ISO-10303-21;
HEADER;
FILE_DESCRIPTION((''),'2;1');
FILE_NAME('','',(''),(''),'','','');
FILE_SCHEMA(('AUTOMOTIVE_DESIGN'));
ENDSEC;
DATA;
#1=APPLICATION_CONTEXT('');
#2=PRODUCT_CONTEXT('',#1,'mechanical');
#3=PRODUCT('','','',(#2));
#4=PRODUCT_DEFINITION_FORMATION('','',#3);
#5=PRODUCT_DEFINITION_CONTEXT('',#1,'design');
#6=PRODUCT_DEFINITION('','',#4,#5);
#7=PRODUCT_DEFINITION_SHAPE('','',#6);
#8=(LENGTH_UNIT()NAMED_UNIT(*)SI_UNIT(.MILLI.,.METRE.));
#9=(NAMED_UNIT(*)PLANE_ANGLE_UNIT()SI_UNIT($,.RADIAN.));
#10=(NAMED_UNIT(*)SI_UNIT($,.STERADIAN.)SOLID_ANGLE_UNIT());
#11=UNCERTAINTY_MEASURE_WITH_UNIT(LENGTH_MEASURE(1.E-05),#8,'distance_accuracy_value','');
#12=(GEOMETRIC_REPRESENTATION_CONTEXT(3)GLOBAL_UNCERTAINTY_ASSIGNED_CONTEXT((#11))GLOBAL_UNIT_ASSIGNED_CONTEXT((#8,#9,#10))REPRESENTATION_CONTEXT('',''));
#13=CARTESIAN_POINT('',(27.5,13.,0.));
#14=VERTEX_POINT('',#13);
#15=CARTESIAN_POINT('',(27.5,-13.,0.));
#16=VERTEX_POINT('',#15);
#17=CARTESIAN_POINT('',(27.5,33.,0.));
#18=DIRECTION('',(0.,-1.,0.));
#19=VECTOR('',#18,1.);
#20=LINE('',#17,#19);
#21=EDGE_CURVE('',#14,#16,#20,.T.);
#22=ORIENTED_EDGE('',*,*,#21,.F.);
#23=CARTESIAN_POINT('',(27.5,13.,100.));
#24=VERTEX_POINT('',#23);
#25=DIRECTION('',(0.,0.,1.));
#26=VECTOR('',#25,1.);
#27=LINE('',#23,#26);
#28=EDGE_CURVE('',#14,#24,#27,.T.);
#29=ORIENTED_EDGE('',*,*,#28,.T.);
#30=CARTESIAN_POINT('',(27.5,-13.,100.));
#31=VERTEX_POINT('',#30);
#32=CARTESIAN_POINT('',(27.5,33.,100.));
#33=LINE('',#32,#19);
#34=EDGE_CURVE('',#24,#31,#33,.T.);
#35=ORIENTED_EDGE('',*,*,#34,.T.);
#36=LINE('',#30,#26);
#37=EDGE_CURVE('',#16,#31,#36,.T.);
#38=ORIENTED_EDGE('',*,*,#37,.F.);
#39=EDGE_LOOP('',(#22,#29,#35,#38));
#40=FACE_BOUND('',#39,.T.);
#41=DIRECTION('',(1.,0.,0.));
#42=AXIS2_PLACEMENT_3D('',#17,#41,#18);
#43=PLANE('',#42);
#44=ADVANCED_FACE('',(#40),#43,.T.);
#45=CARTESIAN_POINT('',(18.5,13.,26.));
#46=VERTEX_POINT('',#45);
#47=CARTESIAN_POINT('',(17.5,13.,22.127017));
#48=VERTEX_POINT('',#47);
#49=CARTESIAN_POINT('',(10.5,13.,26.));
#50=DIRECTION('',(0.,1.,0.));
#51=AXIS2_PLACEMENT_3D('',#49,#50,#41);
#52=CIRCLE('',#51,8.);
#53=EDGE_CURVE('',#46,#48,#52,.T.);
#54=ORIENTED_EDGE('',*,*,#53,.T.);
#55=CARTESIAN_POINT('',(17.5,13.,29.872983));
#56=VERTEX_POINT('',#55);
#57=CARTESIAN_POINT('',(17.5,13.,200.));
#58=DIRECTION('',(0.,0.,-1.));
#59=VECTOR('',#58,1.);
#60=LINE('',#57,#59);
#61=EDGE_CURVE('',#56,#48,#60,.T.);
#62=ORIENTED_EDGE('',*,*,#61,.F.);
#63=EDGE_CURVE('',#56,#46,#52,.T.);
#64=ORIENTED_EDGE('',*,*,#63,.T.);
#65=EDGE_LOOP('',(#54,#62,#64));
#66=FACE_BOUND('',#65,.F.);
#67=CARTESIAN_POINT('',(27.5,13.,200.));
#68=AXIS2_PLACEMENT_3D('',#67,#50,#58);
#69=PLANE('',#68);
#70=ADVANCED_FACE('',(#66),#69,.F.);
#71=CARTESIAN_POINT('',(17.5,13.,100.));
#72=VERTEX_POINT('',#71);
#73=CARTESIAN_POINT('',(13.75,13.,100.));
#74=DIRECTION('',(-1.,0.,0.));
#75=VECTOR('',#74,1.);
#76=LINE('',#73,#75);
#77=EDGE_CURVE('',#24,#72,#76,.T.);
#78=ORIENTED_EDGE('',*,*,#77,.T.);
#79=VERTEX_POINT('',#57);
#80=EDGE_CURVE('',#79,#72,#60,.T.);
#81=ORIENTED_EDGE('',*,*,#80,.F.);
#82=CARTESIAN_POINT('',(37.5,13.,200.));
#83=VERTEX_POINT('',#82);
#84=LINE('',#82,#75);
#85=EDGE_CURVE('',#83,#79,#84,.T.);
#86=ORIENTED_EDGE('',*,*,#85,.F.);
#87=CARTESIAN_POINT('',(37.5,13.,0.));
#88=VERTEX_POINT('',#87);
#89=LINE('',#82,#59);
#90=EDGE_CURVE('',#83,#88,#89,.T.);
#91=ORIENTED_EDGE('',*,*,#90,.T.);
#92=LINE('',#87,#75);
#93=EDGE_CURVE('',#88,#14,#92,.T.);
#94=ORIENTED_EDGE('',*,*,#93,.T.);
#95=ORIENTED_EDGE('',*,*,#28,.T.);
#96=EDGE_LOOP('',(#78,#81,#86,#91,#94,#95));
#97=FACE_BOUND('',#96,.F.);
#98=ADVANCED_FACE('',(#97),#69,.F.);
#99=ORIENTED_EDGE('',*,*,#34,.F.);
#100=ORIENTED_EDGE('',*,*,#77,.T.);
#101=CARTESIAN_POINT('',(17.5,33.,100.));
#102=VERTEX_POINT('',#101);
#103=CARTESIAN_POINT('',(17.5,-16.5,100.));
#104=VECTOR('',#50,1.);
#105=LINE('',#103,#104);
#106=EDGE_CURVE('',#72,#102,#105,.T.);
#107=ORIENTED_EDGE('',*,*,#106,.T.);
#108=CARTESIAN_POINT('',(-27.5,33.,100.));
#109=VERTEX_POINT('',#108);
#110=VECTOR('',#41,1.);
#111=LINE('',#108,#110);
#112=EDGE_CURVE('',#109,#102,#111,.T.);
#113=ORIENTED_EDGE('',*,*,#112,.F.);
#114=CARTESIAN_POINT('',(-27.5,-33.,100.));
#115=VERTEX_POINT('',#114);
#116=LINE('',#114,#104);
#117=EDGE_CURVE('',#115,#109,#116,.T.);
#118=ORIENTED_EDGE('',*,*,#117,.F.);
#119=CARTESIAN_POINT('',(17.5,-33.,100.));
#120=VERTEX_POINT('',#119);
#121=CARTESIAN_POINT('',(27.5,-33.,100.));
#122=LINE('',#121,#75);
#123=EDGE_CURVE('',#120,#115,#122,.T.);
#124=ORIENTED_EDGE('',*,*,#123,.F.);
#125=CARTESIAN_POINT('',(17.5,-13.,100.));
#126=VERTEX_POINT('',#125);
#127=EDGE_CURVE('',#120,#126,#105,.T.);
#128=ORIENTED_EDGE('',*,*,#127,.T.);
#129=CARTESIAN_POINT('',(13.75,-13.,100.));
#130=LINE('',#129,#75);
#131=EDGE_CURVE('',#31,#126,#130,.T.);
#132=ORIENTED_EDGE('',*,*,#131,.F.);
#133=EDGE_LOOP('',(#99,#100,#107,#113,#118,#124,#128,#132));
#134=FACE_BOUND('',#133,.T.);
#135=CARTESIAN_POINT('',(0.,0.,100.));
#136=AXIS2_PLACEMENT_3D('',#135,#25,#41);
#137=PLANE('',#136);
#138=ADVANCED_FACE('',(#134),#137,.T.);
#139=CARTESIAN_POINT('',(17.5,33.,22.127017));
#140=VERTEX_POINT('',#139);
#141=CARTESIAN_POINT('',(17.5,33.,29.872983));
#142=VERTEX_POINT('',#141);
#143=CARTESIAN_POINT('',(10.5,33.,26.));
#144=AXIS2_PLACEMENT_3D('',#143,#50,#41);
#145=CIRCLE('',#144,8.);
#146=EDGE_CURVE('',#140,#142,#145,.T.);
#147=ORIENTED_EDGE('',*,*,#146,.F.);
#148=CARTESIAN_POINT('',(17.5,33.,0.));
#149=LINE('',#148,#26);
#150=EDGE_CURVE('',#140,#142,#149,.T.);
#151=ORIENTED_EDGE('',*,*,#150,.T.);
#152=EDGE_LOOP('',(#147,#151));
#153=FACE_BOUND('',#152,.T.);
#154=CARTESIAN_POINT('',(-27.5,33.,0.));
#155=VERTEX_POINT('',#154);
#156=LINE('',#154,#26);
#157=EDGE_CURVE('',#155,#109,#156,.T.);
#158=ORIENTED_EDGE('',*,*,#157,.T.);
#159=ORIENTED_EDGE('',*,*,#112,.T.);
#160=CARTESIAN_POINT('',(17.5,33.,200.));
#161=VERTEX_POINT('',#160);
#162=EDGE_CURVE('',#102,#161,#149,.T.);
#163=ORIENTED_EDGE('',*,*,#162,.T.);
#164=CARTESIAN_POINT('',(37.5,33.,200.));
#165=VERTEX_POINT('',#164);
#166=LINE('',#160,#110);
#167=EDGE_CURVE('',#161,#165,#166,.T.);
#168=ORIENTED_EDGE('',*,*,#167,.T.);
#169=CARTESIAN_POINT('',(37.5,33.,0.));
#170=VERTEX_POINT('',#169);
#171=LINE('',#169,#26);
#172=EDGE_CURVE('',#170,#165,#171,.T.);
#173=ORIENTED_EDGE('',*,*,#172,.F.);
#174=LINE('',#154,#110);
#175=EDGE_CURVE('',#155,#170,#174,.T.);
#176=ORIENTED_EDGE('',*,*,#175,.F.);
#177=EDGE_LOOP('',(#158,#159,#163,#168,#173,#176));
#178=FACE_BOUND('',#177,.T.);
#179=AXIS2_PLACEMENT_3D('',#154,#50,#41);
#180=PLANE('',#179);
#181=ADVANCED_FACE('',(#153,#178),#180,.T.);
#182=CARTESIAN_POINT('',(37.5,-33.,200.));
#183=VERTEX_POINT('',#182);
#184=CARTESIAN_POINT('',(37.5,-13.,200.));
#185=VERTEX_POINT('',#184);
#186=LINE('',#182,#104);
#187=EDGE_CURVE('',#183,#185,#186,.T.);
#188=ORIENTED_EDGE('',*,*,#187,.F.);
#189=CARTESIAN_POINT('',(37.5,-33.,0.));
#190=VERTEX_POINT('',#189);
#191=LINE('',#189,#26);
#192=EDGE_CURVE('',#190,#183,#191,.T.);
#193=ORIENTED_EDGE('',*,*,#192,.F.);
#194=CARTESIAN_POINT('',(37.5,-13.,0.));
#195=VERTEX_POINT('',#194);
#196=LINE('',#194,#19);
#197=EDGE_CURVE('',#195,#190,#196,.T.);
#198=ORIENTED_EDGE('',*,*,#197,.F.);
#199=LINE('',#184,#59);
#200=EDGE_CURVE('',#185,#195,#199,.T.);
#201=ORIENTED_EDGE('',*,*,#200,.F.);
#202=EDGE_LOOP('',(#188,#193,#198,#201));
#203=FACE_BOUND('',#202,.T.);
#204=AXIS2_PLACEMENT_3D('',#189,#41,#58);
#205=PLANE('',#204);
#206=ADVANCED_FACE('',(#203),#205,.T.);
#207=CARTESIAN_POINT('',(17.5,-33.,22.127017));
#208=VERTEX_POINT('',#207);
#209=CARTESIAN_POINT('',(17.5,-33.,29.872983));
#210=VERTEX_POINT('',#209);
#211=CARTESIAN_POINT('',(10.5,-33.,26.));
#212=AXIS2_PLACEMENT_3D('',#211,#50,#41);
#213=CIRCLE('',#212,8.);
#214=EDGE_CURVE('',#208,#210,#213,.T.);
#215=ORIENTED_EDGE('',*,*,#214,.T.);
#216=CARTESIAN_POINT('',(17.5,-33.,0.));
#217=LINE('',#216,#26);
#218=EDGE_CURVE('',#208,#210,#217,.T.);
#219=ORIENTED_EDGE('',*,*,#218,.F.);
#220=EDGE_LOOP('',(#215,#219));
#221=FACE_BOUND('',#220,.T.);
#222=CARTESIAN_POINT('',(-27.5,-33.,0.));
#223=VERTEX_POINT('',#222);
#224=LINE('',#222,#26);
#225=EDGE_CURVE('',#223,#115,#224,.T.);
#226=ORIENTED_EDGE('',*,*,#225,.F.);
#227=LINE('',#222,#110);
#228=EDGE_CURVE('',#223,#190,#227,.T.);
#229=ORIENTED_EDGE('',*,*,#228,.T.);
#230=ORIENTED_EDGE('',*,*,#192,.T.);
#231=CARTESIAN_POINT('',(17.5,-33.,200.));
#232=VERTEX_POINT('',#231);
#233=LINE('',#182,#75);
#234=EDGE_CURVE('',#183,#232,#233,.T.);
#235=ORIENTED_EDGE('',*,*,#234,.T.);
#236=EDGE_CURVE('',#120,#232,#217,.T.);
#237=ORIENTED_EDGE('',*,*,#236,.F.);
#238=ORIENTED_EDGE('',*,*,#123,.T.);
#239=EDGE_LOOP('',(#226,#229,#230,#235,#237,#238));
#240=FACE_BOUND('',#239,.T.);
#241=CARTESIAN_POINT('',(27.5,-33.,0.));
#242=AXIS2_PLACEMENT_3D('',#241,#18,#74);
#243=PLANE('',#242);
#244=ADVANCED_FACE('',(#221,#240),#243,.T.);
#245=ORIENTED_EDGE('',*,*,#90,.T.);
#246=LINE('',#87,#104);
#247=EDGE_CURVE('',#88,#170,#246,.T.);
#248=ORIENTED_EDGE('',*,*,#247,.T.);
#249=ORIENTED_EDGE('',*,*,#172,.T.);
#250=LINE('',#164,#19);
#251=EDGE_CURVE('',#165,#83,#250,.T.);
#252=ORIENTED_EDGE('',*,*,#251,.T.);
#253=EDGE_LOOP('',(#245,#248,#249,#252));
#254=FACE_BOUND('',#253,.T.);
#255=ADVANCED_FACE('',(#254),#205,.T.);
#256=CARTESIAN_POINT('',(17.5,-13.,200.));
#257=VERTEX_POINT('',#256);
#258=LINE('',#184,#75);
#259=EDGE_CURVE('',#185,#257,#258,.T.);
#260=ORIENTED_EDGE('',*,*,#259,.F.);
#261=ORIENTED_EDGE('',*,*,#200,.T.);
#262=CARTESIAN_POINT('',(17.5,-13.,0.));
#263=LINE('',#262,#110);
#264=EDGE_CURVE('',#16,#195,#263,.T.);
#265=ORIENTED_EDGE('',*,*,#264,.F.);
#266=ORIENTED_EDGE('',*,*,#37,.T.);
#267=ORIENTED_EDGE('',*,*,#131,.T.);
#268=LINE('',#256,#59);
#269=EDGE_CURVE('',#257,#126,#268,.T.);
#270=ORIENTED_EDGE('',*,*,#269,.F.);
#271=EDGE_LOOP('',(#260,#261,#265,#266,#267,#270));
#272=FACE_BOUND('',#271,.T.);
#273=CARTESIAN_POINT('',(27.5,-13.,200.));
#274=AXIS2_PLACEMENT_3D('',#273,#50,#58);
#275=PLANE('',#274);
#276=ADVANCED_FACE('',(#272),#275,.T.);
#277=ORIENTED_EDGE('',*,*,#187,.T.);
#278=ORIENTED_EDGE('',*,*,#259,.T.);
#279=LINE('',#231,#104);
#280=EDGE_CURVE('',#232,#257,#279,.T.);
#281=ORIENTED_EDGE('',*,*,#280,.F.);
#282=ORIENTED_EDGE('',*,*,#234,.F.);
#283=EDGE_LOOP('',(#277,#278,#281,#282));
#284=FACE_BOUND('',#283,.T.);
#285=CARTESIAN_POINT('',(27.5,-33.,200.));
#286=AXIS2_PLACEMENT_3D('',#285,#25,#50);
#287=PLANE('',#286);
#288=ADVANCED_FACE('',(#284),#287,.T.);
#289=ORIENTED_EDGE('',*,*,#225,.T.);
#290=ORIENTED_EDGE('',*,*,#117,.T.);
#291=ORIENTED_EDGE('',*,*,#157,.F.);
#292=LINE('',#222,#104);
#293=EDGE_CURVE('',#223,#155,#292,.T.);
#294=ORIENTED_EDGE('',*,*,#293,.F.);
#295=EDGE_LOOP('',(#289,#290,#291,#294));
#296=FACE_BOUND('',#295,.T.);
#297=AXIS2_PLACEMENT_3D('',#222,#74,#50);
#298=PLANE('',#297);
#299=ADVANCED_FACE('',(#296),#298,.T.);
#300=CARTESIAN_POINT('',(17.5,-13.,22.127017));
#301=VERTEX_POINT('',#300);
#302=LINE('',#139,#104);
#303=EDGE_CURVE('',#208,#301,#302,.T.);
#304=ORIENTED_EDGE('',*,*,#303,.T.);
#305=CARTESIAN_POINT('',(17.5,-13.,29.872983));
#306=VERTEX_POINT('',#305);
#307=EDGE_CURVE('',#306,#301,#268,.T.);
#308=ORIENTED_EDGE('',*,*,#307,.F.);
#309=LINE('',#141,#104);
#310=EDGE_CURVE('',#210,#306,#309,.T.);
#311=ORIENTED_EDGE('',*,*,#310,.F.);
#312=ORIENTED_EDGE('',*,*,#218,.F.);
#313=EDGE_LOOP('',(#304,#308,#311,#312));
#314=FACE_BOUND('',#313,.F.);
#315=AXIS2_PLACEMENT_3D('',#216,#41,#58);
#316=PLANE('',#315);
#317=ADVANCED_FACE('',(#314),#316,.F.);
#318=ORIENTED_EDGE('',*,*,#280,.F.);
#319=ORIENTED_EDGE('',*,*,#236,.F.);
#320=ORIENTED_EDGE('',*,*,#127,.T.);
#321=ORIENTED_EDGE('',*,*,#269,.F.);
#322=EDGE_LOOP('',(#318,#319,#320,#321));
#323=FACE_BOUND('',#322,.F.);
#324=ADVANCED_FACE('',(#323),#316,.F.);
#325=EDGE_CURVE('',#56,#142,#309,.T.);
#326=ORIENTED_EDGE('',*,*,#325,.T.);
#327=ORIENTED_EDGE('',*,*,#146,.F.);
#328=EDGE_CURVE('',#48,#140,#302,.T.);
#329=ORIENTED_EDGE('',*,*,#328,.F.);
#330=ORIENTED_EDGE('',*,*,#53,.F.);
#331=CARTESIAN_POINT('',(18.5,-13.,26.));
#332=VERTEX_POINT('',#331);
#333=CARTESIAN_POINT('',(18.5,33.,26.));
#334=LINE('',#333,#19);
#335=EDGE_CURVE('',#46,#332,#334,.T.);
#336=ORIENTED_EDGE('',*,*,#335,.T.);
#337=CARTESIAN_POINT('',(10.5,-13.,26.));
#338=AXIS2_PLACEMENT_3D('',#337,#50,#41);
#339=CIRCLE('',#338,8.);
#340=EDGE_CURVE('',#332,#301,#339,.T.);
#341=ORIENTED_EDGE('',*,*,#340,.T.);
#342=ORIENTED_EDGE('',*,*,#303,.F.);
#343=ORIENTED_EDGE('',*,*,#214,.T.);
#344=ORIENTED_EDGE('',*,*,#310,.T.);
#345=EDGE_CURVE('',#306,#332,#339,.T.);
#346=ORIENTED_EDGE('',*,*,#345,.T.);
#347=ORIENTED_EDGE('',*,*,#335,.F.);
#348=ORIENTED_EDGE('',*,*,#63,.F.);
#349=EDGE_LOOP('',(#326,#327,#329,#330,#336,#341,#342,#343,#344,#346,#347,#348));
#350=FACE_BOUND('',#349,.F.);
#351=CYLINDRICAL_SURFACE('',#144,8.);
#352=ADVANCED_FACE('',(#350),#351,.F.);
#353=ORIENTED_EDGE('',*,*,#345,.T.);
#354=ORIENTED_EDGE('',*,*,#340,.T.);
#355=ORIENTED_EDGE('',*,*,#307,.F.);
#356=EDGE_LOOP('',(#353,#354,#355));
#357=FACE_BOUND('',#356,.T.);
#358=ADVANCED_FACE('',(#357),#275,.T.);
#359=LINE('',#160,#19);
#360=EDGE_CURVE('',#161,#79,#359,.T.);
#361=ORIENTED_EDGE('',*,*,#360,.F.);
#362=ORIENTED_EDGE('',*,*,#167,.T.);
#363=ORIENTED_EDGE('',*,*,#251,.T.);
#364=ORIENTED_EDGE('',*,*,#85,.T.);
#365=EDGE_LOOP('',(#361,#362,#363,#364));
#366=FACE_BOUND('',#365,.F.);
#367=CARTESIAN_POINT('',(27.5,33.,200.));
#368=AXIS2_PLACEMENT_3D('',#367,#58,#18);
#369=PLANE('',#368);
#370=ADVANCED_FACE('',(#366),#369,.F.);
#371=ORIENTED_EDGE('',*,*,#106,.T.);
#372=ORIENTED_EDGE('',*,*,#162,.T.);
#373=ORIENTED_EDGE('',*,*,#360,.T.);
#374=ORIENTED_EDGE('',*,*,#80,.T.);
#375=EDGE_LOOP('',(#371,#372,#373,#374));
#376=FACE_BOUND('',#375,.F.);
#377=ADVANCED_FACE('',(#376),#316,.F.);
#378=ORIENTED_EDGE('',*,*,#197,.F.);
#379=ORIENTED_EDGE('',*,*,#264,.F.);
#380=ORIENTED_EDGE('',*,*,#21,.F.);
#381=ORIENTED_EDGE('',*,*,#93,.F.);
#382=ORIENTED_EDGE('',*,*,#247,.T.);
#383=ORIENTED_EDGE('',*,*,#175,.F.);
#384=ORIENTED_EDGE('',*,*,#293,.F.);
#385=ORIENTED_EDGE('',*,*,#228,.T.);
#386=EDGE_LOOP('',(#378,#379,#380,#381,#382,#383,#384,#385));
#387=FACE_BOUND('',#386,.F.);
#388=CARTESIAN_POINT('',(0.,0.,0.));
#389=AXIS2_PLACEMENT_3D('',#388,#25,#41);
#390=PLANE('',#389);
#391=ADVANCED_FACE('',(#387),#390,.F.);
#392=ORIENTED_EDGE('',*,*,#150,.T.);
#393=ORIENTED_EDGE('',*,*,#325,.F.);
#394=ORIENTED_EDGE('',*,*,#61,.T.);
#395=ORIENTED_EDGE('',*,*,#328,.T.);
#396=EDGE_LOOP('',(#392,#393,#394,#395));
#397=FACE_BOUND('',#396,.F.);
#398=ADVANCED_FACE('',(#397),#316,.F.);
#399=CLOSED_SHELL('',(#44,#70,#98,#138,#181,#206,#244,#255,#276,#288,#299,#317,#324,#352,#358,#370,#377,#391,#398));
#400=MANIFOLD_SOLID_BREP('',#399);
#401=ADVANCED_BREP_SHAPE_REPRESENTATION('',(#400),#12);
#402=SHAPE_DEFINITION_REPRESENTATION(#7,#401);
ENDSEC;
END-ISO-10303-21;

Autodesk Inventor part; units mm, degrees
ref_plane "YZ Plane" through (0, 0, 0) normal (1, 0, 0) x (0, 1, 0)
ref_plane "XZ Plane" through (0, 0, 0) normal (0, 1, 0) x (-1, 0, 0)
ref_plane "XY Plane" through (0, 0, 0) normal (0, 0, 1) x (1, 0, 0)
sketch "Sketch1" plane through (0, 0, 0) normal (0, 0, 1) x (1, 0, 0)
  line L0 (27.5, -33) -> (-27.5, -33)
  line L1 (-27.5, -33) -> (-27.5, 33)
  line L2 (-27.5, 33) -> (27.5, 33)
  line L3 (27.5, 33) -> (27.5, -33)
  line L4 (0, 0) -> (0, 15.9599)
  line L5 (0, 0) -> (14.573, 0)
  point P0 (0, 33)
  point P1 (27.5, 0)
  dimension "d0" = 55
  dimension "d1" = 66
extrude "Extrusion1" add sketch "Sketch1" along normal blind 100
sketch "Sketch2" plane through (-27.5, 33, 0) normal (0, 1, 0) x (1, 0, 0)
  circle A0 centre (38, -26) radius 8 projected
  circle A1 centre (38, -26) radius 8
  point P0 (27.5, 0)
extrude "Extrusion2" cut sketch "Sketch2" against normal through all
sketch "Sketch3" plane through (27.5, -33, 0) normal (1, 0, 0) x (0, 0, -1)
  line L0 (0, 0) -> (-200, 0)
  line L1 (-200, 0) -> (-200, 20)
  line L2 (-200, 20) -> (0, 20)
  line L3 (0, 20) -> (0, 0)
  line L4 (0, 66) -> (-200, 66)
  line L5 (-200, 66) -> (-200, 46)
  line L6 (-200, 46) -> (0, 46)
  line L7 (0, 46) -> (0, 66)
  point P0 (0, 33)
  dimension "d6" = 200
  dimension "d7" = 20
  dimension "d8" = 200
  dimension "d9" = 20
extrude "Extrusion3" add sketch "Sketch3" along normal mid plane 20
properties part number "Support" material "Wood (Oak)"
